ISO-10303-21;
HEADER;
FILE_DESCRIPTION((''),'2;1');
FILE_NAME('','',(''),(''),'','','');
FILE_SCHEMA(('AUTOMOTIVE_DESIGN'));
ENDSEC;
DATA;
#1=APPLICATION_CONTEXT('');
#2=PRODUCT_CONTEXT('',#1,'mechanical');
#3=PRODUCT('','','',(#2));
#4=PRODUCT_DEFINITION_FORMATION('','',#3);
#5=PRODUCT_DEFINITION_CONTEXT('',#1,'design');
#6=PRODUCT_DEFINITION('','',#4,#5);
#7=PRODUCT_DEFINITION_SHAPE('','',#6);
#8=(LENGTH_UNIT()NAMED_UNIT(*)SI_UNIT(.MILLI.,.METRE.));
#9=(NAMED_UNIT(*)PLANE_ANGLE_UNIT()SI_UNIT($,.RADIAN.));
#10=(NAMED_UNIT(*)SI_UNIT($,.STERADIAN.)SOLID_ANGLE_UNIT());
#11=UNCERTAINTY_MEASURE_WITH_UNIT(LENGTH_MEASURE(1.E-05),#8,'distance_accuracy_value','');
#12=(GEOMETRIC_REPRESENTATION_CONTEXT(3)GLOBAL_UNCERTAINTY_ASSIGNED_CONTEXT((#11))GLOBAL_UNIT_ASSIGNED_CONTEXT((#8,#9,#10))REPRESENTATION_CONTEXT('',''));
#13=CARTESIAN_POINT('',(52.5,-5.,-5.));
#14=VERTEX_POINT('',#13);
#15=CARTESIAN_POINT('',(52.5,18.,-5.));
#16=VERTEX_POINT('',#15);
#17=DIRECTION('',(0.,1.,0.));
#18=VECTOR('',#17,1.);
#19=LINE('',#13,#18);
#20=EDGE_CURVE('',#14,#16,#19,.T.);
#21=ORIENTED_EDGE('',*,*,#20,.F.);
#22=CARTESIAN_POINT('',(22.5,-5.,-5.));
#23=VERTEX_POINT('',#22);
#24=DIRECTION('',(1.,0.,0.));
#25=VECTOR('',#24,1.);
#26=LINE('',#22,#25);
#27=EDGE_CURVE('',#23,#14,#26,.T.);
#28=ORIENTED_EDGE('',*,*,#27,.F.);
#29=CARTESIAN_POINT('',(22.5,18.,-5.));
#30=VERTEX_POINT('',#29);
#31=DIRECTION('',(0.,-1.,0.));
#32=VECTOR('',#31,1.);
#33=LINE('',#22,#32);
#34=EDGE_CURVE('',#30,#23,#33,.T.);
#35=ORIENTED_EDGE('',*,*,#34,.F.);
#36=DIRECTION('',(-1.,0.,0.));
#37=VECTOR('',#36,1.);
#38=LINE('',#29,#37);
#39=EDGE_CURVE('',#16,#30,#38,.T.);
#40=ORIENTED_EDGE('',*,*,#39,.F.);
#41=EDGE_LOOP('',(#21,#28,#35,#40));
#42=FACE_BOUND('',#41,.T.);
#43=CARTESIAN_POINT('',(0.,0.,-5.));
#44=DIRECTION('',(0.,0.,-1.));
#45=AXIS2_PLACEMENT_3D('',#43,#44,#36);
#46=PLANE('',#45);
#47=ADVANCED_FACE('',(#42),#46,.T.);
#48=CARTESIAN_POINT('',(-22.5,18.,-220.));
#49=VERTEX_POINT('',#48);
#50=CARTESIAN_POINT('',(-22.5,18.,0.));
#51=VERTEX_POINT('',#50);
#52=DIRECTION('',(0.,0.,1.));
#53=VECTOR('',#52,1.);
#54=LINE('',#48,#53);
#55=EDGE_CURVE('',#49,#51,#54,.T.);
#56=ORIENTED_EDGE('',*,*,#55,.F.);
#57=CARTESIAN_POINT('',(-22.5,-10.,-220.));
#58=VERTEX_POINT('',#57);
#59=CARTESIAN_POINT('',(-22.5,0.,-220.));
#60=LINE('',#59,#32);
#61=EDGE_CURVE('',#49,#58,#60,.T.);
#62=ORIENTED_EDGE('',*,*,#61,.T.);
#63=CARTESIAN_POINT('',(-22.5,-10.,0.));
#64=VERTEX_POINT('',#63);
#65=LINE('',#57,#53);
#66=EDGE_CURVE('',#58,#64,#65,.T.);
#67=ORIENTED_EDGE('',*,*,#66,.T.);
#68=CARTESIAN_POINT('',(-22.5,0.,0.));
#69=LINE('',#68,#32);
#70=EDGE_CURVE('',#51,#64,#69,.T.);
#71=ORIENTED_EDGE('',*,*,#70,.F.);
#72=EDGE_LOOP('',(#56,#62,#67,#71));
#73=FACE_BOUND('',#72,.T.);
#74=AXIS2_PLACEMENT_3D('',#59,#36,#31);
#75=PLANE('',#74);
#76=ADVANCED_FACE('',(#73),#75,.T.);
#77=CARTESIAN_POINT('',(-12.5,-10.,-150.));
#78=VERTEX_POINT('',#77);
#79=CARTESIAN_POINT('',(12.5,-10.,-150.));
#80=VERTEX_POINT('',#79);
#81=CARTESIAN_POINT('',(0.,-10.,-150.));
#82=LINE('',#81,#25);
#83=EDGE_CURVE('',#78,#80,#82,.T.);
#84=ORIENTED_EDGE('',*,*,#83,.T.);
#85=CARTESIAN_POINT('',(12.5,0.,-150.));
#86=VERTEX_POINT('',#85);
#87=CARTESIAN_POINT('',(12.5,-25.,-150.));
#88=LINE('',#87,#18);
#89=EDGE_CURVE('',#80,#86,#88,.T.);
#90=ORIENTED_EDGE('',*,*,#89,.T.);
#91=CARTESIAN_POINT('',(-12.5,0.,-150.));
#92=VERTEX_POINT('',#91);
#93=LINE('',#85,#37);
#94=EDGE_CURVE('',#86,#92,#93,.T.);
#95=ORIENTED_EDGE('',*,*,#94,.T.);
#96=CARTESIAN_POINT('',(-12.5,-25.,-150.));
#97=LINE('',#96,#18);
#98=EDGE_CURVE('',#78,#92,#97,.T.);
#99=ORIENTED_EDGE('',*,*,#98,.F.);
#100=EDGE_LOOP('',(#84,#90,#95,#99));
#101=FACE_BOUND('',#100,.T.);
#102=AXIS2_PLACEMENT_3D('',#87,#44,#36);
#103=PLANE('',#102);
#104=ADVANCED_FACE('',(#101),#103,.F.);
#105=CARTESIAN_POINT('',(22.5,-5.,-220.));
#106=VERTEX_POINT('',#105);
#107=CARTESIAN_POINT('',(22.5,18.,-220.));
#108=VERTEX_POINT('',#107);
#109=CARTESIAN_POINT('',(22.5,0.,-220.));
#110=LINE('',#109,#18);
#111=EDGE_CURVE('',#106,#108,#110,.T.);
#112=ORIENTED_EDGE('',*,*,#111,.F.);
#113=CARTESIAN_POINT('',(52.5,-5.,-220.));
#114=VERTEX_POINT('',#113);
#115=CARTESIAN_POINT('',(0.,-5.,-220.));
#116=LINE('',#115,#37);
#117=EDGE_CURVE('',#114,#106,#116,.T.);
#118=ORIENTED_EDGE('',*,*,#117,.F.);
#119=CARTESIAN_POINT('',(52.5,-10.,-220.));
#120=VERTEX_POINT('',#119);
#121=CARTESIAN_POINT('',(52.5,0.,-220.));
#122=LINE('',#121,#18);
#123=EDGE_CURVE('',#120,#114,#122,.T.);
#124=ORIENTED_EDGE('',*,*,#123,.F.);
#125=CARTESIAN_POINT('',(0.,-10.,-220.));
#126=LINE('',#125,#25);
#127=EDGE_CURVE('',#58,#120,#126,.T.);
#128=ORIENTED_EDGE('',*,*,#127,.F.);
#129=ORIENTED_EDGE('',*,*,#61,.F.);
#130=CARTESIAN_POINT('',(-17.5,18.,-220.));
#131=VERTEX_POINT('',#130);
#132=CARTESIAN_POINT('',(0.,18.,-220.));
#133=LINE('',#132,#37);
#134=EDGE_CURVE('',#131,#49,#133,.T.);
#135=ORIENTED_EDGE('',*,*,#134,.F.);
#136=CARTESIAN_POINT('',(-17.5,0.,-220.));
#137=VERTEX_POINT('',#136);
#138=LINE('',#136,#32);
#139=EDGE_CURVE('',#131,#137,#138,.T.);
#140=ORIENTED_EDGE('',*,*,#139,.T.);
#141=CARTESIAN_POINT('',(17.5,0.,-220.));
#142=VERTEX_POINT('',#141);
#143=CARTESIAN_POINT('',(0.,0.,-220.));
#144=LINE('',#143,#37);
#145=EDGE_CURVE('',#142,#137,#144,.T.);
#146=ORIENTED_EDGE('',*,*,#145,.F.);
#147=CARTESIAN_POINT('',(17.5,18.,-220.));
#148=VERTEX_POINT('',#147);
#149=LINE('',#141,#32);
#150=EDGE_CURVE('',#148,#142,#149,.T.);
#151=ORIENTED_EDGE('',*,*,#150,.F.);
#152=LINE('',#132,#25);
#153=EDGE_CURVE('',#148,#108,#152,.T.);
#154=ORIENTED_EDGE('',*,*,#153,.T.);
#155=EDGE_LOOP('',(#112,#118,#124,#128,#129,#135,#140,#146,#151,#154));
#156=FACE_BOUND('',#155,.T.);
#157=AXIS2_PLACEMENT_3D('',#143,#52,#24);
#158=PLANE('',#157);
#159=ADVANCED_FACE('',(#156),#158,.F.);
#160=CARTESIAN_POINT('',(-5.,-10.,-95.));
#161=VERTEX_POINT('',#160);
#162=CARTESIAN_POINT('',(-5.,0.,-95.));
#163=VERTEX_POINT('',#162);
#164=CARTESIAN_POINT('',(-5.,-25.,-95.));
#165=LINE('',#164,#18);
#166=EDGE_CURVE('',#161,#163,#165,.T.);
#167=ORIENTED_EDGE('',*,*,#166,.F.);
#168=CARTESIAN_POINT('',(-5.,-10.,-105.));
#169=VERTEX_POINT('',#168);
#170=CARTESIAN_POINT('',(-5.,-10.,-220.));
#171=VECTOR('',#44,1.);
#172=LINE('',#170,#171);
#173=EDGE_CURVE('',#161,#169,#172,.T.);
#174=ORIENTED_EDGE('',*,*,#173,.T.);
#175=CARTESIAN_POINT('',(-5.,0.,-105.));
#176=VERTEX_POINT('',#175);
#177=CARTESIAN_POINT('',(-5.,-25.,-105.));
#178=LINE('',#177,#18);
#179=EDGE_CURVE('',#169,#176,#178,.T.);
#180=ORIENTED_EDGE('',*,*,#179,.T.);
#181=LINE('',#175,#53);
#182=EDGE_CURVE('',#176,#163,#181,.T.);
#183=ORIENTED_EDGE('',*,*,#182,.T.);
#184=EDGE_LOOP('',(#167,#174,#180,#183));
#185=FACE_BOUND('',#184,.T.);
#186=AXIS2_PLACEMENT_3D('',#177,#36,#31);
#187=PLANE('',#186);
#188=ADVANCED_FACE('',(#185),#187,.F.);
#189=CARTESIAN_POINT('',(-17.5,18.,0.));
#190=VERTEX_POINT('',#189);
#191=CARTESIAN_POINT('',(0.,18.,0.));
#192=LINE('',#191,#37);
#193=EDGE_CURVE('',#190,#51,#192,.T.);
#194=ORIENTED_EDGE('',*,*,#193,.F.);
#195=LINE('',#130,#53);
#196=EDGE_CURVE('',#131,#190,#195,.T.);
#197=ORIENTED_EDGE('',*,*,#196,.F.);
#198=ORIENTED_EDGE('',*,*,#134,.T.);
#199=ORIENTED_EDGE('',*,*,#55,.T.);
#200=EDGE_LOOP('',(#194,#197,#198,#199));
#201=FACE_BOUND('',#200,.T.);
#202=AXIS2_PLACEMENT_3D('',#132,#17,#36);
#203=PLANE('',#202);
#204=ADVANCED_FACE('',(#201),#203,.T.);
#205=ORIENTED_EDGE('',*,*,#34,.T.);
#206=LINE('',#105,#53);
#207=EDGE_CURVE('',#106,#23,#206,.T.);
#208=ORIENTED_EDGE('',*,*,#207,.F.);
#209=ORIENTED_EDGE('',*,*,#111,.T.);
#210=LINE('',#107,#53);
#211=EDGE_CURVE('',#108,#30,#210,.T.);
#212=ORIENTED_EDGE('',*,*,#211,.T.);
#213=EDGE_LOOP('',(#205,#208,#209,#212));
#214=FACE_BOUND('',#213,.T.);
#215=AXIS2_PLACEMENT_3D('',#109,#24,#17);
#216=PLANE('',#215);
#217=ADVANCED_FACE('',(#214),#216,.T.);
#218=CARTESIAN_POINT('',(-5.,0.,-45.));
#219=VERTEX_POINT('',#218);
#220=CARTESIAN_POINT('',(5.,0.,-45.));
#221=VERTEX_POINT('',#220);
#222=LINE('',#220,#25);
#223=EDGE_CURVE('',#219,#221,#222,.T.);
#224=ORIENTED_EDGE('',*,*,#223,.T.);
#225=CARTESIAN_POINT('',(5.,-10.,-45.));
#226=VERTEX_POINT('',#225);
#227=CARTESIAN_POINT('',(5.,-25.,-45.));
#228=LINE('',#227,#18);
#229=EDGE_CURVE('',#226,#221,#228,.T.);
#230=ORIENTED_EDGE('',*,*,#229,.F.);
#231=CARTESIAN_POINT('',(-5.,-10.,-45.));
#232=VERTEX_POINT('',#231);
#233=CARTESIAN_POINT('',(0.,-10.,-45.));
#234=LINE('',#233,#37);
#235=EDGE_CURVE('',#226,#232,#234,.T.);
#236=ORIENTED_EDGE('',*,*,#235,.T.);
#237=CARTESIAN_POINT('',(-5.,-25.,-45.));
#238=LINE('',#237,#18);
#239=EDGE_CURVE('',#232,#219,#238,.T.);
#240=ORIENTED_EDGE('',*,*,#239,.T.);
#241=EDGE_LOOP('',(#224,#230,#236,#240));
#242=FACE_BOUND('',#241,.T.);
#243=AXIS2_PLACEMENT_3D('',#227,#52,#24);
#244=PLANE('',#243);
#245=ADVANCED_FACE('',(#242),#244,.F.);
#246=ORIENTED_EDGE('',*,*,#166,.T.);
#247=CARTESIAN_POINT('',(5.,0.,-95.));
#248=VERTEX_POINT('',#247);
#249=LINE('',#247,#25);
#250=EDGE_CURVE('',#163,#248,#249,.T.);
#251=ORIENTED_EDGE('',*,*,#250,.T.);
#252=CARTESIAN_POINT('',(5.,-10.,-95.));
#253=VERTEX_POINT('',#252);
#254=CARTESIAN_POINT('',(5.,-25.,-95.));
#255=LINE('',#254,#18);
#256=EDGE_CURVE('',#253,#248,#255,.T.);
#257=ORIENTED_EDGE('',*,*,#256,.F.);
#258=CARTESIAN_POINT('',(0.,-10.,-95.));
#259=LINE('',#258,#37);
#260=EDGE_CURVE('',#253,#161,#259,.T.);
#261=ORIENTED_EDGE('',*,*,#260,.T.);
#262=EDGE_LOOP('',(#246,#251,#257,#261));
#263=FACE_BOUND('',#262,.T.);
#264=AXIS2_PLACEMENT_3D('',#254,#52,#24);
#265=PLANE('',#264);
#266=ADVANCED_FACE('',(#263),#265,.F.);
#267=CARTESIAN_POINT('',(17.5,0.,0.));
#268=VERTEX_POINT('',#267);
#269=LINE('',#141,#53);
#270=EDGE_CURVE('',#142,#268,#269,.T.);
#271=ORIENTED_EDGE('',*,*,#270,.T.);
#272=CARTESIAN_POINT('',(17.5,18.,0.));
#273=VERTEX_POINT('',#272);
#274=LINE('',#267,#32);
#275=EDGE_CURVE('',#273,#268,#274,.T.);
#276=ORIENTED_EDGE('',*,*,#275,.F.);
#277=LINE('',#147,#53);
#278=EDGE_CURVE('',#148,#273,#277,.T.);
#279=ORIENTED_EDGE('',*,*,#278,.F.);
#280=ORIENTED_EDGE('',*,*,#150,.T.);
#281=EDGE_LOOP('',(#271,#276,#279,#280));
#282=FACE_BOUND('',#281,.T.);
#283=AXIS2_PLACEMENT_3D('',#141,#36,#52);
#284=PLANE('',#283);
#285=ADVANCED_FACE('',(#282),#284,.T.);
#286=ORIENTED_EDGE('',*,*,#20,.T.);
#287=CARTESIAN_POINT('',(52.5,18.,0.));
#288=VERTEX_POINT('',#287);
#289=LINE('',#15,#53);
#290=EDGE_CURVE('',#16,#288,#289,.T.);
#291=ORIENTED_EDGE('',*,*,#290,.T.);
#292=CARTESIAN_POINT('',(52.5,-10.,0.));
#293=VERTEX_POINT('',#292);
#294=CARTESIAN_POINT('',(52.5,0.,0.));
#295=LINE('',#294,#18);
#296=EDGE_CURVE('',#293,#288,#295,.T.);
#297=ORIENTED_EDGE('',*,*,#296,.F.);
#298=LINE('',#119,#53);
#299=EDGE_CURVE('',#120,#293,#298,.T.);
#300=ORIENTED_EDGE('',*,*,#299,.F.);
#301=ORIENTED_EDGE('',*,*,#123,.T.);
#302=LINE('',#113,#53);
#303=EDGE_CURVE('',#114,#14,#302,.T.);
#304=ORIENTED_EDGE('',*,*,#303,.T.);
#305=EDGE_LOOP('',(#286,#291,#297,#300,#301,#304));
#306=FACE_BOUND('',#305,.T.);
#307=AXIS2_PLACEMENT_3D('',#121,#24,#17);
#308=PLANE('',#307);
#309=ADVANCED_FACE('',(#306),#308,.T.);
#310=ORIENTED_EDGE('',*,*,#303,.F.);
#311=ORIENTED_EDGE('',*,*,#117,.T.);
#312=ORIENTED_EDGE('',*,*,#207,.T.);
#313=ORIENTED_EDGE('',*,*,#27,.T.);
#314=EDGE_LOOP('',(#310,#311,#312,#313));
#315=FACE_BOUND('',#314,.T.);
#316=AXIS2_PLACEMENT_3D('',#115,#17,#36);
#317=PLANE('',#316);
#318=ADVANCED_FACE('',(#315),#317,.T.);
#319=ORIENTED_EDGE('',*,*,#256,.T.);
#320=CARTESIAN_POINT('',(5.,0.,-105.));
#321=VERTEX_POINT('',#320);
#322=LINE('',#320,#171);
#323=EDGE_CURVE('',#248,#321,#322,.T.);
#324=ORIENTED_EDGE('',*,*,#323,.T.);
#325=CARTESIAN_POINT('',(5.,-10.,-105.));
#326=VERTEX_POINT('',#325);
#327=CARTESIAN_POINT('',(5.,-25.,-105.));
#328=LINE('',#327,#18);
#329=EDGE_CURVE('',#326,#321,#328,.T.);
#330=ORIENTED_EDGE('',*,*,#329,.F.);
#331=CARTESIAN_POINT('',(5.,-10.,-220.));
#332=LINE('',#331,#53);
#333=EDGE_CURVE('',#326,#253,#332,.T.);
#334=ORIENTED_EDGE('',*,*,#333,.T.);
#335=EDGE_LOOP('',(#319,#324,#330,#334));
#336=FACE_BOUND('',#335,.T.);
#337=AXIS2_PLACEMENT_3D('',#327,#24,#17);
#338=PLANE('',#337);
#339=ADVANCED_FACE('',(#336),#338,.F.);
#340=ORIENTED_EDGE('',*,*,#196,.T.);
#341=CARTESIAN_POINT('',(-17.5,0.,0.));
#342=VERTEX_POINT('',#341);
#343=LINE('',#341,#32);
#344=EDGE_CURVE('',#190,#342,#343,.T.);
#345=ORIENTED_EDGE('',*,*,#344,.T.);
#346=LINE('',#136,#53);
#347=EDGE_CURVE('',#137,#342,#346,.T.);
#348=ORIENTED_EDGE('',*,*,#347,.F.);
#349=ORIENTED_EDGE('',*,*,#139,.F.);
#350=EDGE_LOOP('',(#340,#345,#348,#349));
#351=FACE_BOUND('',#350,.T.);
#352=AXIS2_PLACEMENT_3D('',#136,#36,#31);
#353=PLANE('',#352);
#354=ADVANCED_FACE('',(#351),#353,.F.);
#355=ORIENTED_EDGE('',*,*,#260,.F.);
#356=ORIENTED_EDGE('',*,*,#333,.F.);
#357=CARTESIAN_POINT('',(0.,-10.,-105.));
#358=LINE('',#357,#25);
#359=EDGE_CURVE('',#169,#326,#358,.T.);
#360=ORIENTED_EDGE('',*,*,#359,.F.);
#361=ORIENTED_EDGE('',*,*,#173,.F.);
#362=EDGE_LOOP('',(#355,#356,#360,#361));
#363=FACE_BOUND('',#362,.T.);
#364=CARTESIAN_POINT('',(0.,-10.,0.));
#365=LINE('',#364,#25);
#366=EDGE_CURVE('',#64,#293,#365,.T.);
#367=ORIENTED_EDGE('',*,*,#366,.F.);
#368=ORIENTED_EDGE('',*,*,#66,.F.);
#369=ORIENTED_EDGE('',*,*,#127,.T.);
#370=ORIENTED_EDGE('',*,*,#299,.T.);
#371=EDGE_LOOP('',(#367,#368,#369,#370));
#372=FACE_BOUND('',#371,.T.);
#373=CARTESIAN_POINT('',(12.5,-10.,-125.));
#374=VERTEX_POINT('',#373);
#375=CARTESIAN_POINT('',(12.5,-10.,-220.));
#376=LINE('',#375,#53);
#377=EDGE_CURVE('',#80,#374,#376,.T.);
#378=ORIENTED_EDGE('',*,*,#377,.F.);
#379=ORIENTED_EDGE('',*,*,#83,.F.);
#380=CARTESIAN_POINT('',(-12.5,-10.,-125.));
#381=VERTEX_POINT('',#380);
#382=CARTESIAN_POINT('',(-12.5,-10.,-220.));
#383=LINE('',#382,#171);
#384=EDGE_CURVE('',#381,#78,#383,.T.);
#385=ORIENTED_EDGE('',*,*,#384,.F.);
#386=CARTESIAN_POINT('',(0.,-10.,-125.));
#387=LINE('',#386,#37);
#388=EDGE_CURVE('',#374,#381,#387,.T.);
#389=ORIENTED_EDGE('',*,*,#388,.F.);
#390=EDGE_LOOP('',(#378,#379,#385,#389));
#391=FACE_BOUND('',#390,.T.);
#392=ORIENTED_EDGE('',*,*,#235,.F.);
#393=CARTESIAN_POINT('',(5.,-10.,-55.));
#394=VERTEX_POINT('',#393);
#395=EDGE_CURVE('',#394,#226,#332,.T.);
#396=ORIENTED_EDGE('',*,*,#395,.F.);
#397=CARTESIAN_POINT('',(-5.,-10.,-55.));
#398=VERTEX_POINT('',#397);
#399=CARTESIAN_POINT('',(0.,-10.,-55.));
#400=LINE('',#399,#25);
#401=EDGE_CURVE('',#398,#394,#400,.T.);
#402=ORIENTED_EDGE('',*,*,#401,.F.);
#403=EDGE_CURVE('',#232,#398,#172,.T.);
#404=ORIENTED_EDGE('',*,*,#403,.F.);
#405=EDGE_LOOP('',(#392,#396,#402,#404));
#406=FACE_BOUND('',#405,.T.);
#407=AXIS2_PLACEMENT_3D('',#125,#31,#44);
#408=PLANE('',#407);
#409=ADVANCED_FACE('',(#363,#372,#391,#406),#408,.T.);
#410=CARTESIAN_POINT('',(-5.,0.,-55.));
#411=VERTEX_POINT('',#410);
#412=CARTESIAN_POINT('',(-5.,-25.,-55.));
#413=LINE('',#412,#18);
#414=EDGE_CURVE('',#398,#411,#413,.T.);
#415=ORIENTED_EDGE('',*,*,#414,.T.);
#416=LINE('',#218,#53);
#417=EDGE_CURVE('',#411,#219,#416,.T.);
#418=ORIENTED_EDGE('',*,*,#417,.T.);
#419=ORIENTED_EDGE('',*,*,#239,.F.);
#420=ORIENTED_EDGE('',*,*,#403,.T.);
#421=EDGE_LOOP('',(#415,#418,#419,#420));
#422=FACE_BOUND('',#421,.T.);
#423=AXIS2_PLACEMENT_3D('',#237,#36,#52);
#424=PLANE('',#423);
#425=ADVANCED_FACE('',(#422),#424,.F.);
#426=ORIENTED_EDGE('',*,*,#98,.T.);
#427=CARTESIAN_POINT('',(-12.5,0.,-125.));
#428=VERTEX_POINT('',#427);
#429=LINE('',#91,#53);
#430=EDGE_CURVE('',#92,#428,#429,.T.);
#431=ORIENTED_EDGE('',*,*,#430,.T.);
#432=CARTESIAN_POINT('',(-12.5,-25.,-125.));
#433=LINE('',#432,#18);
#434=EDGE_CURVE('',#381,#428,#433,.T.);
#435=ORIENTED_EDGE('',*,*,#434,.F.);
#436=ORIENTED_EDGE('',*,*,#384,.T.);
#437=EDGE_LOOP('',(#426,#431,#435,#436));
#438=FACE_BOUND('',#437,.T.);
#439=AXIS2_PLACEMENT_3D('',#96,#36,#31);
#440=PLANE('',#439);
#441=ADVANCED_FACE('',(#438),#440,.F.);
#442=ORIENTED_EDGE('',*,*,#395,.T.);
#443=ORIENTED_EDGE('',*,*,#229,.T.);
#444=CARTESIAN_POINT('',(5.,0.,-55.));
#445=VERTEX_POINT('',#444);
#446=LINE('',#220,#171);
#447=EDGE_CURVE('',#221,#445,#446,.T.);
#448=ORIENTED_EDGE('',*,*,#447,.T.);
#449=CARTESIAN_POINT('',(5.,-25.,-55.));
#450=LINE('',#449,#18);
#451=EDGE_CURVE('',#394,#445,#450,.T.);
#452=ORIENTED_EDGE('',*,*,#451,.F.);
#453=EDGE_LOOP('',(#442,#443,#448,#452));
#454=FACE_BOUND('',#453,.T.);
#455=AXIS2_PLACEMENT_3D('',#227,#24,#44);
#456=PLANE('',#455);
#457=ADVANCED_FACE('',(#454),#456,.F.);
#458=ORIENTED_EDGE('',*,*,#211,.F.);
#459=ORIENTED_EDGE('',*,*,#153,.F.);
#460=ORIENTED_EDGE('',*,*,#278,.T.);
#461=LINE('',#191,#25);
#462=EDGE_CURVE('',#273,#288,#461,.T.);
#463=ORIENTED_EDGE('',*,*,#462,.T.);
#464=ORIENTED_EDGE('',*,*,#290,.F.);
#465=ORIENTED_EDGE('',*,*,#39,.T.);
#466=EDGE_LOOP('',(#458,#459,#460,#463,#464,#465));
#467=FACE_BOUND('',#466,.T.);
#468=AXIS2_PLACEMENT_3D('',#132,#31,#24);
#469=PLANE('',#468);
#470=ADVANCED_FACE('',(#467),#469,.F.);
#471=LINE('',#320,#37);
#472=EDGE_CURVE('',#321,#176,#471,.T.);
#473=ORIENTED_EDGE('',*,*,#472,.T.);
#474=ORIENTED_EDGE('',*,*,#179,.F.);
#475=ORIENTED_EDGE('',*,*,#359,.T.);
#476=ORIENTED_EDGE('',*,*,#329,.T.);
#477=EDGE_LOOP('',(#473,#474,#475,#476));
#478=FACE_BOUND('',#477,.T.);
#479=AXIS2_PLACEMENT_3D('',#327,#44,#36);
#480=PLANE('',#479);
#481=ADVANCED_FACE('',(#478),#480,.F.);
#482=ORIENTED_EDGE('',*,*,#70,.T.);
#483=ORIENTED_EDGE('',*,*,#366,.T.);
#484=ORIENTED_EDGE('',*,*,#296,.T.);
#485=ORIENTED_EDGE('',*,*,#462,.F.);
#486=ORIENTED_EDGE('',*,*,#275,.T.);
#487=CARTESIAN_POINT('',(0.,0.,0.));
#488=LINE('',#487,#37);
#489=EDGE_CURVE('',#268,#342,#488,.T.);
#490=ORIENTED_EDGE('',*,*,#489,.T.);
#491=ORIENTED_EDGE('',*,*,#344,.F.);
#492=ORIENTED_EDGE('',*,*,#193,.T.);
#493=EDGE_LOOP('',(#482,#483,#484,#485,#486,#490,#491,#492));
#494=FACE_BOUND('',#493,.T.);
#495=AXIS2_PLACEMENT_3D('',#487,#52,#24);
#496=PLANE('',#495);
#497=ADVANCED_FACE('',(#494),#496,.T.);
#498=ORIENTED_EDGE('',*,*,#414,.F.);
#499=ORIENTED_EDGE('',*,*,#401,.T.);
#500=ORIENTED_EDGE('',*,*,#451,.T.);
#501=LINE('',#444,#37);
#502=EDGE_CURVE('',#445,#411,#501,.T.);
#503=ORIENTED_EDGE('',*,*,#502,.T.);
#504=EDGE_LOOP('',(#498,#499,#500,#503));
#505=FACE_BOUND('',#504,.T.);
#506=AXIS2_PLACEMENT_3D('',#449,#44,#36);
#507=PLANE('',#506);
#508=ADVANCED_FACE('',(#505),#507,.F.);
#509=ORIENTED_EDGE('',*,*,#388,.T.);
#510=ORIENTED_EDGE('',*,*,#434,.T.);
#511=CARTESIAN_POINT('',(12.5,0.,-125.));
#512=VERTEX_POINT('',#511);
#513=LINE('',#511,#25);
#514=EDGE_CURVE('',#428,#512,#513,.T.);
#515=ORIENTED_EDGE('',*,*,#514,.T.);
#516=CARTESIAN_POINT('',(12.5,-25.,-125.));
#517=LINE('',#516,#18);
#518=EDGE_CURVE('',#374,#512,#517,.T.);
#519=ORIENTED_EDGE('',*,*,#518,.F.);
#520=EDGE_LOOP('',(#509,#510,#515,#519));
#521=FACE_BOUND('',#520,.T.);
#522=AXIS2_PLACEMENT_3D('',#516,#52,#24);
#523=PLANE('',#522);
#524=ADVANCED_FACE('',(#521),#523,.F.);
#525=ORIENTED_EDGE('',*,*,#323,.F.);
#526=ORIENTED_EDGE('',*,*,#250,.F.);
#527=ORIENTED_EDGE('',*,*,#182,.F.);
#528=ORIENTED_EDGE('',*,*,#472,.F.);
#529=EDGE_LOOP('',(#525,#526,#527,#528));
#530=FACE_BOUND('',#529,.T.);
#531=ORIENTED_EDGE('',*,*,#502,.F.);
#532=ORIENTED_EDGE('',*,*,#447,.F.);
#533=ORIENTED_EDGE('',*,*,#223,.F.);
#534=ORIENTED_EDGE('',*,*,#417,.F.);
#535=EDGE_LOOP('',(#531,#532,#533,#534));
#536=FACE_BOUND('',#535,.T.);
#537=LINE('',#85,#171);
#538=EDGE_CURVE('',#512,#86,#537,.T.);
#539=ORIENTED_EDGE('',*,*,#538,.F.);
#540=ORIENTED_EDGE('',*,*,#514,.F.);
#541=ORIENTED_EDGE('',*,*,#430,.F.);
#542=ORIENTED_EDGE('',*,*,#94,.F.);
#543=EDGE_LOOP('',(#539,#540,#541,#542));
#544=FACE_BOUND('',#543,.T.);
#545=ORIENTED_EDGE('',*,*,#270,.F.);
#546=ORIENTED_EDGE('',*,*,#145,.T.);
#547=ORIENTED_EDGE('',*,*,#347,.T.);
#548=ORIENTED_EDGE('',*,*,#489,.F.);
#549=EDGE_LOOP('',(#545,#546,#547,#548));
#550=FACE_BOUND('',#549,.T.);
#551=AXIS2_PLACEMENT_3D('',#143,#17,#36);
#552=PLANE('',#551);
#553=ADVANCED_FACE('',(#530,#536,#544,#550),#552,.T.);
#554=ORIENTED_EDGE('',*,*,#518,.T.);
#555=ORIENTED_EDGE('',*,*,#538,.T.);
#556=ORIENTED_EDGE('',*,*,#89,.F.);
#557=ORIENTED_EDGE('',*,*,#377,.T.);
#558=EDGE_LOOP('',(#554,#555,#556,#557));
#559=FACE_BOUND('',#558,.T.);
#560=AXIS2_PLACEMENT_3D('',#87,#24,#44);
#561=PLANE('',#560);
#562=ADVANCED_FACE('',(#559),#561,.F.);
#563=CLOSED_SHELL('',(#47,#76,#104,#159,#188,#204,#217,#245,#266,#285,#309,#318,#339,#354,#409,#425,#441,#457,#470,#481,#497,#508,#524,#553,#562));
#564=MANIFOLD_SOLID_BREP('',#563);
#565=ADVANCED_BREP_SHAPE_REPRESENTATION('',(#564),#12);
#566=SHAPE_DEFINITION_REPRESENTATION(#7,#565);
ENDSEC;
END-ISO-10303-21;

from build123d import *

# Parameters (mm, degrees)
DODANIE_WYCI_GNI_CIE1_DEPTH = 220
SZKIC4_W                    = 30
SZKIC4_H                    = 23
DODANIE_WYCI_GNI_CIE3_DEPTH = 5
SZKIC5_W                    = 10
SZKIC5_H                    = 10
SZKIC5_W_2                  = 25
SZKIC5_H_2                  = 25
WYTNIJ_WYCI_GNI_CIE1_DEPTH  = 25


with BuildPart() as part:
    # Szkic1 → Dodanie-wyciągnięcie1 (new body)
    with BuildSketch(Plane.XY):
        Polygon((-22.5, -10), (52.5, -10), (52.5, -5), (22.5, -5), (22.5, 18), (17.5, 18), (17.5, 0), (-17.5, 0), (-17.5, 18), (-22.5, 18), align=None)
    extrude(amount=-DODANIE_WYCI_GNI_CIE1_DEPTH)

    # Szkic4 → Dodanie-wyciągnięcie3 (add)
    with BuildSketch(Plane.XY):
        with Locations((37.5, 6.5)):
            Rectangle(SZKIC4_W, SZKIC4_H)
    extrude(amount=-DODANIE_WYCI_GNI_CIE3_DEPTH)

    # Szkic5 → Wytnij-wyciągnięcie1 (cut)
    with BuildSketch(Plane(origin=(0, 0, 0), x_dir=(1, 0, 0), z_dir=(0, 1, 0))):
        with Locations((0, 50)):
            Rectangle(SZKIC5_W, SZKIC5_H)
        with Locations((0, 100)):
            Rectangle(SZKIC5_W, SZKIC5_H)
        with Locations((0, 137.5)):
            Rectangle(SZKIC5_W_2, SZKIC5_H_2)
    extrude(amount=-WYTNIJ_WYCI_GNI_CIE1_DEPTH, mode=Mode.SUBTRACT)


solid = part.part
